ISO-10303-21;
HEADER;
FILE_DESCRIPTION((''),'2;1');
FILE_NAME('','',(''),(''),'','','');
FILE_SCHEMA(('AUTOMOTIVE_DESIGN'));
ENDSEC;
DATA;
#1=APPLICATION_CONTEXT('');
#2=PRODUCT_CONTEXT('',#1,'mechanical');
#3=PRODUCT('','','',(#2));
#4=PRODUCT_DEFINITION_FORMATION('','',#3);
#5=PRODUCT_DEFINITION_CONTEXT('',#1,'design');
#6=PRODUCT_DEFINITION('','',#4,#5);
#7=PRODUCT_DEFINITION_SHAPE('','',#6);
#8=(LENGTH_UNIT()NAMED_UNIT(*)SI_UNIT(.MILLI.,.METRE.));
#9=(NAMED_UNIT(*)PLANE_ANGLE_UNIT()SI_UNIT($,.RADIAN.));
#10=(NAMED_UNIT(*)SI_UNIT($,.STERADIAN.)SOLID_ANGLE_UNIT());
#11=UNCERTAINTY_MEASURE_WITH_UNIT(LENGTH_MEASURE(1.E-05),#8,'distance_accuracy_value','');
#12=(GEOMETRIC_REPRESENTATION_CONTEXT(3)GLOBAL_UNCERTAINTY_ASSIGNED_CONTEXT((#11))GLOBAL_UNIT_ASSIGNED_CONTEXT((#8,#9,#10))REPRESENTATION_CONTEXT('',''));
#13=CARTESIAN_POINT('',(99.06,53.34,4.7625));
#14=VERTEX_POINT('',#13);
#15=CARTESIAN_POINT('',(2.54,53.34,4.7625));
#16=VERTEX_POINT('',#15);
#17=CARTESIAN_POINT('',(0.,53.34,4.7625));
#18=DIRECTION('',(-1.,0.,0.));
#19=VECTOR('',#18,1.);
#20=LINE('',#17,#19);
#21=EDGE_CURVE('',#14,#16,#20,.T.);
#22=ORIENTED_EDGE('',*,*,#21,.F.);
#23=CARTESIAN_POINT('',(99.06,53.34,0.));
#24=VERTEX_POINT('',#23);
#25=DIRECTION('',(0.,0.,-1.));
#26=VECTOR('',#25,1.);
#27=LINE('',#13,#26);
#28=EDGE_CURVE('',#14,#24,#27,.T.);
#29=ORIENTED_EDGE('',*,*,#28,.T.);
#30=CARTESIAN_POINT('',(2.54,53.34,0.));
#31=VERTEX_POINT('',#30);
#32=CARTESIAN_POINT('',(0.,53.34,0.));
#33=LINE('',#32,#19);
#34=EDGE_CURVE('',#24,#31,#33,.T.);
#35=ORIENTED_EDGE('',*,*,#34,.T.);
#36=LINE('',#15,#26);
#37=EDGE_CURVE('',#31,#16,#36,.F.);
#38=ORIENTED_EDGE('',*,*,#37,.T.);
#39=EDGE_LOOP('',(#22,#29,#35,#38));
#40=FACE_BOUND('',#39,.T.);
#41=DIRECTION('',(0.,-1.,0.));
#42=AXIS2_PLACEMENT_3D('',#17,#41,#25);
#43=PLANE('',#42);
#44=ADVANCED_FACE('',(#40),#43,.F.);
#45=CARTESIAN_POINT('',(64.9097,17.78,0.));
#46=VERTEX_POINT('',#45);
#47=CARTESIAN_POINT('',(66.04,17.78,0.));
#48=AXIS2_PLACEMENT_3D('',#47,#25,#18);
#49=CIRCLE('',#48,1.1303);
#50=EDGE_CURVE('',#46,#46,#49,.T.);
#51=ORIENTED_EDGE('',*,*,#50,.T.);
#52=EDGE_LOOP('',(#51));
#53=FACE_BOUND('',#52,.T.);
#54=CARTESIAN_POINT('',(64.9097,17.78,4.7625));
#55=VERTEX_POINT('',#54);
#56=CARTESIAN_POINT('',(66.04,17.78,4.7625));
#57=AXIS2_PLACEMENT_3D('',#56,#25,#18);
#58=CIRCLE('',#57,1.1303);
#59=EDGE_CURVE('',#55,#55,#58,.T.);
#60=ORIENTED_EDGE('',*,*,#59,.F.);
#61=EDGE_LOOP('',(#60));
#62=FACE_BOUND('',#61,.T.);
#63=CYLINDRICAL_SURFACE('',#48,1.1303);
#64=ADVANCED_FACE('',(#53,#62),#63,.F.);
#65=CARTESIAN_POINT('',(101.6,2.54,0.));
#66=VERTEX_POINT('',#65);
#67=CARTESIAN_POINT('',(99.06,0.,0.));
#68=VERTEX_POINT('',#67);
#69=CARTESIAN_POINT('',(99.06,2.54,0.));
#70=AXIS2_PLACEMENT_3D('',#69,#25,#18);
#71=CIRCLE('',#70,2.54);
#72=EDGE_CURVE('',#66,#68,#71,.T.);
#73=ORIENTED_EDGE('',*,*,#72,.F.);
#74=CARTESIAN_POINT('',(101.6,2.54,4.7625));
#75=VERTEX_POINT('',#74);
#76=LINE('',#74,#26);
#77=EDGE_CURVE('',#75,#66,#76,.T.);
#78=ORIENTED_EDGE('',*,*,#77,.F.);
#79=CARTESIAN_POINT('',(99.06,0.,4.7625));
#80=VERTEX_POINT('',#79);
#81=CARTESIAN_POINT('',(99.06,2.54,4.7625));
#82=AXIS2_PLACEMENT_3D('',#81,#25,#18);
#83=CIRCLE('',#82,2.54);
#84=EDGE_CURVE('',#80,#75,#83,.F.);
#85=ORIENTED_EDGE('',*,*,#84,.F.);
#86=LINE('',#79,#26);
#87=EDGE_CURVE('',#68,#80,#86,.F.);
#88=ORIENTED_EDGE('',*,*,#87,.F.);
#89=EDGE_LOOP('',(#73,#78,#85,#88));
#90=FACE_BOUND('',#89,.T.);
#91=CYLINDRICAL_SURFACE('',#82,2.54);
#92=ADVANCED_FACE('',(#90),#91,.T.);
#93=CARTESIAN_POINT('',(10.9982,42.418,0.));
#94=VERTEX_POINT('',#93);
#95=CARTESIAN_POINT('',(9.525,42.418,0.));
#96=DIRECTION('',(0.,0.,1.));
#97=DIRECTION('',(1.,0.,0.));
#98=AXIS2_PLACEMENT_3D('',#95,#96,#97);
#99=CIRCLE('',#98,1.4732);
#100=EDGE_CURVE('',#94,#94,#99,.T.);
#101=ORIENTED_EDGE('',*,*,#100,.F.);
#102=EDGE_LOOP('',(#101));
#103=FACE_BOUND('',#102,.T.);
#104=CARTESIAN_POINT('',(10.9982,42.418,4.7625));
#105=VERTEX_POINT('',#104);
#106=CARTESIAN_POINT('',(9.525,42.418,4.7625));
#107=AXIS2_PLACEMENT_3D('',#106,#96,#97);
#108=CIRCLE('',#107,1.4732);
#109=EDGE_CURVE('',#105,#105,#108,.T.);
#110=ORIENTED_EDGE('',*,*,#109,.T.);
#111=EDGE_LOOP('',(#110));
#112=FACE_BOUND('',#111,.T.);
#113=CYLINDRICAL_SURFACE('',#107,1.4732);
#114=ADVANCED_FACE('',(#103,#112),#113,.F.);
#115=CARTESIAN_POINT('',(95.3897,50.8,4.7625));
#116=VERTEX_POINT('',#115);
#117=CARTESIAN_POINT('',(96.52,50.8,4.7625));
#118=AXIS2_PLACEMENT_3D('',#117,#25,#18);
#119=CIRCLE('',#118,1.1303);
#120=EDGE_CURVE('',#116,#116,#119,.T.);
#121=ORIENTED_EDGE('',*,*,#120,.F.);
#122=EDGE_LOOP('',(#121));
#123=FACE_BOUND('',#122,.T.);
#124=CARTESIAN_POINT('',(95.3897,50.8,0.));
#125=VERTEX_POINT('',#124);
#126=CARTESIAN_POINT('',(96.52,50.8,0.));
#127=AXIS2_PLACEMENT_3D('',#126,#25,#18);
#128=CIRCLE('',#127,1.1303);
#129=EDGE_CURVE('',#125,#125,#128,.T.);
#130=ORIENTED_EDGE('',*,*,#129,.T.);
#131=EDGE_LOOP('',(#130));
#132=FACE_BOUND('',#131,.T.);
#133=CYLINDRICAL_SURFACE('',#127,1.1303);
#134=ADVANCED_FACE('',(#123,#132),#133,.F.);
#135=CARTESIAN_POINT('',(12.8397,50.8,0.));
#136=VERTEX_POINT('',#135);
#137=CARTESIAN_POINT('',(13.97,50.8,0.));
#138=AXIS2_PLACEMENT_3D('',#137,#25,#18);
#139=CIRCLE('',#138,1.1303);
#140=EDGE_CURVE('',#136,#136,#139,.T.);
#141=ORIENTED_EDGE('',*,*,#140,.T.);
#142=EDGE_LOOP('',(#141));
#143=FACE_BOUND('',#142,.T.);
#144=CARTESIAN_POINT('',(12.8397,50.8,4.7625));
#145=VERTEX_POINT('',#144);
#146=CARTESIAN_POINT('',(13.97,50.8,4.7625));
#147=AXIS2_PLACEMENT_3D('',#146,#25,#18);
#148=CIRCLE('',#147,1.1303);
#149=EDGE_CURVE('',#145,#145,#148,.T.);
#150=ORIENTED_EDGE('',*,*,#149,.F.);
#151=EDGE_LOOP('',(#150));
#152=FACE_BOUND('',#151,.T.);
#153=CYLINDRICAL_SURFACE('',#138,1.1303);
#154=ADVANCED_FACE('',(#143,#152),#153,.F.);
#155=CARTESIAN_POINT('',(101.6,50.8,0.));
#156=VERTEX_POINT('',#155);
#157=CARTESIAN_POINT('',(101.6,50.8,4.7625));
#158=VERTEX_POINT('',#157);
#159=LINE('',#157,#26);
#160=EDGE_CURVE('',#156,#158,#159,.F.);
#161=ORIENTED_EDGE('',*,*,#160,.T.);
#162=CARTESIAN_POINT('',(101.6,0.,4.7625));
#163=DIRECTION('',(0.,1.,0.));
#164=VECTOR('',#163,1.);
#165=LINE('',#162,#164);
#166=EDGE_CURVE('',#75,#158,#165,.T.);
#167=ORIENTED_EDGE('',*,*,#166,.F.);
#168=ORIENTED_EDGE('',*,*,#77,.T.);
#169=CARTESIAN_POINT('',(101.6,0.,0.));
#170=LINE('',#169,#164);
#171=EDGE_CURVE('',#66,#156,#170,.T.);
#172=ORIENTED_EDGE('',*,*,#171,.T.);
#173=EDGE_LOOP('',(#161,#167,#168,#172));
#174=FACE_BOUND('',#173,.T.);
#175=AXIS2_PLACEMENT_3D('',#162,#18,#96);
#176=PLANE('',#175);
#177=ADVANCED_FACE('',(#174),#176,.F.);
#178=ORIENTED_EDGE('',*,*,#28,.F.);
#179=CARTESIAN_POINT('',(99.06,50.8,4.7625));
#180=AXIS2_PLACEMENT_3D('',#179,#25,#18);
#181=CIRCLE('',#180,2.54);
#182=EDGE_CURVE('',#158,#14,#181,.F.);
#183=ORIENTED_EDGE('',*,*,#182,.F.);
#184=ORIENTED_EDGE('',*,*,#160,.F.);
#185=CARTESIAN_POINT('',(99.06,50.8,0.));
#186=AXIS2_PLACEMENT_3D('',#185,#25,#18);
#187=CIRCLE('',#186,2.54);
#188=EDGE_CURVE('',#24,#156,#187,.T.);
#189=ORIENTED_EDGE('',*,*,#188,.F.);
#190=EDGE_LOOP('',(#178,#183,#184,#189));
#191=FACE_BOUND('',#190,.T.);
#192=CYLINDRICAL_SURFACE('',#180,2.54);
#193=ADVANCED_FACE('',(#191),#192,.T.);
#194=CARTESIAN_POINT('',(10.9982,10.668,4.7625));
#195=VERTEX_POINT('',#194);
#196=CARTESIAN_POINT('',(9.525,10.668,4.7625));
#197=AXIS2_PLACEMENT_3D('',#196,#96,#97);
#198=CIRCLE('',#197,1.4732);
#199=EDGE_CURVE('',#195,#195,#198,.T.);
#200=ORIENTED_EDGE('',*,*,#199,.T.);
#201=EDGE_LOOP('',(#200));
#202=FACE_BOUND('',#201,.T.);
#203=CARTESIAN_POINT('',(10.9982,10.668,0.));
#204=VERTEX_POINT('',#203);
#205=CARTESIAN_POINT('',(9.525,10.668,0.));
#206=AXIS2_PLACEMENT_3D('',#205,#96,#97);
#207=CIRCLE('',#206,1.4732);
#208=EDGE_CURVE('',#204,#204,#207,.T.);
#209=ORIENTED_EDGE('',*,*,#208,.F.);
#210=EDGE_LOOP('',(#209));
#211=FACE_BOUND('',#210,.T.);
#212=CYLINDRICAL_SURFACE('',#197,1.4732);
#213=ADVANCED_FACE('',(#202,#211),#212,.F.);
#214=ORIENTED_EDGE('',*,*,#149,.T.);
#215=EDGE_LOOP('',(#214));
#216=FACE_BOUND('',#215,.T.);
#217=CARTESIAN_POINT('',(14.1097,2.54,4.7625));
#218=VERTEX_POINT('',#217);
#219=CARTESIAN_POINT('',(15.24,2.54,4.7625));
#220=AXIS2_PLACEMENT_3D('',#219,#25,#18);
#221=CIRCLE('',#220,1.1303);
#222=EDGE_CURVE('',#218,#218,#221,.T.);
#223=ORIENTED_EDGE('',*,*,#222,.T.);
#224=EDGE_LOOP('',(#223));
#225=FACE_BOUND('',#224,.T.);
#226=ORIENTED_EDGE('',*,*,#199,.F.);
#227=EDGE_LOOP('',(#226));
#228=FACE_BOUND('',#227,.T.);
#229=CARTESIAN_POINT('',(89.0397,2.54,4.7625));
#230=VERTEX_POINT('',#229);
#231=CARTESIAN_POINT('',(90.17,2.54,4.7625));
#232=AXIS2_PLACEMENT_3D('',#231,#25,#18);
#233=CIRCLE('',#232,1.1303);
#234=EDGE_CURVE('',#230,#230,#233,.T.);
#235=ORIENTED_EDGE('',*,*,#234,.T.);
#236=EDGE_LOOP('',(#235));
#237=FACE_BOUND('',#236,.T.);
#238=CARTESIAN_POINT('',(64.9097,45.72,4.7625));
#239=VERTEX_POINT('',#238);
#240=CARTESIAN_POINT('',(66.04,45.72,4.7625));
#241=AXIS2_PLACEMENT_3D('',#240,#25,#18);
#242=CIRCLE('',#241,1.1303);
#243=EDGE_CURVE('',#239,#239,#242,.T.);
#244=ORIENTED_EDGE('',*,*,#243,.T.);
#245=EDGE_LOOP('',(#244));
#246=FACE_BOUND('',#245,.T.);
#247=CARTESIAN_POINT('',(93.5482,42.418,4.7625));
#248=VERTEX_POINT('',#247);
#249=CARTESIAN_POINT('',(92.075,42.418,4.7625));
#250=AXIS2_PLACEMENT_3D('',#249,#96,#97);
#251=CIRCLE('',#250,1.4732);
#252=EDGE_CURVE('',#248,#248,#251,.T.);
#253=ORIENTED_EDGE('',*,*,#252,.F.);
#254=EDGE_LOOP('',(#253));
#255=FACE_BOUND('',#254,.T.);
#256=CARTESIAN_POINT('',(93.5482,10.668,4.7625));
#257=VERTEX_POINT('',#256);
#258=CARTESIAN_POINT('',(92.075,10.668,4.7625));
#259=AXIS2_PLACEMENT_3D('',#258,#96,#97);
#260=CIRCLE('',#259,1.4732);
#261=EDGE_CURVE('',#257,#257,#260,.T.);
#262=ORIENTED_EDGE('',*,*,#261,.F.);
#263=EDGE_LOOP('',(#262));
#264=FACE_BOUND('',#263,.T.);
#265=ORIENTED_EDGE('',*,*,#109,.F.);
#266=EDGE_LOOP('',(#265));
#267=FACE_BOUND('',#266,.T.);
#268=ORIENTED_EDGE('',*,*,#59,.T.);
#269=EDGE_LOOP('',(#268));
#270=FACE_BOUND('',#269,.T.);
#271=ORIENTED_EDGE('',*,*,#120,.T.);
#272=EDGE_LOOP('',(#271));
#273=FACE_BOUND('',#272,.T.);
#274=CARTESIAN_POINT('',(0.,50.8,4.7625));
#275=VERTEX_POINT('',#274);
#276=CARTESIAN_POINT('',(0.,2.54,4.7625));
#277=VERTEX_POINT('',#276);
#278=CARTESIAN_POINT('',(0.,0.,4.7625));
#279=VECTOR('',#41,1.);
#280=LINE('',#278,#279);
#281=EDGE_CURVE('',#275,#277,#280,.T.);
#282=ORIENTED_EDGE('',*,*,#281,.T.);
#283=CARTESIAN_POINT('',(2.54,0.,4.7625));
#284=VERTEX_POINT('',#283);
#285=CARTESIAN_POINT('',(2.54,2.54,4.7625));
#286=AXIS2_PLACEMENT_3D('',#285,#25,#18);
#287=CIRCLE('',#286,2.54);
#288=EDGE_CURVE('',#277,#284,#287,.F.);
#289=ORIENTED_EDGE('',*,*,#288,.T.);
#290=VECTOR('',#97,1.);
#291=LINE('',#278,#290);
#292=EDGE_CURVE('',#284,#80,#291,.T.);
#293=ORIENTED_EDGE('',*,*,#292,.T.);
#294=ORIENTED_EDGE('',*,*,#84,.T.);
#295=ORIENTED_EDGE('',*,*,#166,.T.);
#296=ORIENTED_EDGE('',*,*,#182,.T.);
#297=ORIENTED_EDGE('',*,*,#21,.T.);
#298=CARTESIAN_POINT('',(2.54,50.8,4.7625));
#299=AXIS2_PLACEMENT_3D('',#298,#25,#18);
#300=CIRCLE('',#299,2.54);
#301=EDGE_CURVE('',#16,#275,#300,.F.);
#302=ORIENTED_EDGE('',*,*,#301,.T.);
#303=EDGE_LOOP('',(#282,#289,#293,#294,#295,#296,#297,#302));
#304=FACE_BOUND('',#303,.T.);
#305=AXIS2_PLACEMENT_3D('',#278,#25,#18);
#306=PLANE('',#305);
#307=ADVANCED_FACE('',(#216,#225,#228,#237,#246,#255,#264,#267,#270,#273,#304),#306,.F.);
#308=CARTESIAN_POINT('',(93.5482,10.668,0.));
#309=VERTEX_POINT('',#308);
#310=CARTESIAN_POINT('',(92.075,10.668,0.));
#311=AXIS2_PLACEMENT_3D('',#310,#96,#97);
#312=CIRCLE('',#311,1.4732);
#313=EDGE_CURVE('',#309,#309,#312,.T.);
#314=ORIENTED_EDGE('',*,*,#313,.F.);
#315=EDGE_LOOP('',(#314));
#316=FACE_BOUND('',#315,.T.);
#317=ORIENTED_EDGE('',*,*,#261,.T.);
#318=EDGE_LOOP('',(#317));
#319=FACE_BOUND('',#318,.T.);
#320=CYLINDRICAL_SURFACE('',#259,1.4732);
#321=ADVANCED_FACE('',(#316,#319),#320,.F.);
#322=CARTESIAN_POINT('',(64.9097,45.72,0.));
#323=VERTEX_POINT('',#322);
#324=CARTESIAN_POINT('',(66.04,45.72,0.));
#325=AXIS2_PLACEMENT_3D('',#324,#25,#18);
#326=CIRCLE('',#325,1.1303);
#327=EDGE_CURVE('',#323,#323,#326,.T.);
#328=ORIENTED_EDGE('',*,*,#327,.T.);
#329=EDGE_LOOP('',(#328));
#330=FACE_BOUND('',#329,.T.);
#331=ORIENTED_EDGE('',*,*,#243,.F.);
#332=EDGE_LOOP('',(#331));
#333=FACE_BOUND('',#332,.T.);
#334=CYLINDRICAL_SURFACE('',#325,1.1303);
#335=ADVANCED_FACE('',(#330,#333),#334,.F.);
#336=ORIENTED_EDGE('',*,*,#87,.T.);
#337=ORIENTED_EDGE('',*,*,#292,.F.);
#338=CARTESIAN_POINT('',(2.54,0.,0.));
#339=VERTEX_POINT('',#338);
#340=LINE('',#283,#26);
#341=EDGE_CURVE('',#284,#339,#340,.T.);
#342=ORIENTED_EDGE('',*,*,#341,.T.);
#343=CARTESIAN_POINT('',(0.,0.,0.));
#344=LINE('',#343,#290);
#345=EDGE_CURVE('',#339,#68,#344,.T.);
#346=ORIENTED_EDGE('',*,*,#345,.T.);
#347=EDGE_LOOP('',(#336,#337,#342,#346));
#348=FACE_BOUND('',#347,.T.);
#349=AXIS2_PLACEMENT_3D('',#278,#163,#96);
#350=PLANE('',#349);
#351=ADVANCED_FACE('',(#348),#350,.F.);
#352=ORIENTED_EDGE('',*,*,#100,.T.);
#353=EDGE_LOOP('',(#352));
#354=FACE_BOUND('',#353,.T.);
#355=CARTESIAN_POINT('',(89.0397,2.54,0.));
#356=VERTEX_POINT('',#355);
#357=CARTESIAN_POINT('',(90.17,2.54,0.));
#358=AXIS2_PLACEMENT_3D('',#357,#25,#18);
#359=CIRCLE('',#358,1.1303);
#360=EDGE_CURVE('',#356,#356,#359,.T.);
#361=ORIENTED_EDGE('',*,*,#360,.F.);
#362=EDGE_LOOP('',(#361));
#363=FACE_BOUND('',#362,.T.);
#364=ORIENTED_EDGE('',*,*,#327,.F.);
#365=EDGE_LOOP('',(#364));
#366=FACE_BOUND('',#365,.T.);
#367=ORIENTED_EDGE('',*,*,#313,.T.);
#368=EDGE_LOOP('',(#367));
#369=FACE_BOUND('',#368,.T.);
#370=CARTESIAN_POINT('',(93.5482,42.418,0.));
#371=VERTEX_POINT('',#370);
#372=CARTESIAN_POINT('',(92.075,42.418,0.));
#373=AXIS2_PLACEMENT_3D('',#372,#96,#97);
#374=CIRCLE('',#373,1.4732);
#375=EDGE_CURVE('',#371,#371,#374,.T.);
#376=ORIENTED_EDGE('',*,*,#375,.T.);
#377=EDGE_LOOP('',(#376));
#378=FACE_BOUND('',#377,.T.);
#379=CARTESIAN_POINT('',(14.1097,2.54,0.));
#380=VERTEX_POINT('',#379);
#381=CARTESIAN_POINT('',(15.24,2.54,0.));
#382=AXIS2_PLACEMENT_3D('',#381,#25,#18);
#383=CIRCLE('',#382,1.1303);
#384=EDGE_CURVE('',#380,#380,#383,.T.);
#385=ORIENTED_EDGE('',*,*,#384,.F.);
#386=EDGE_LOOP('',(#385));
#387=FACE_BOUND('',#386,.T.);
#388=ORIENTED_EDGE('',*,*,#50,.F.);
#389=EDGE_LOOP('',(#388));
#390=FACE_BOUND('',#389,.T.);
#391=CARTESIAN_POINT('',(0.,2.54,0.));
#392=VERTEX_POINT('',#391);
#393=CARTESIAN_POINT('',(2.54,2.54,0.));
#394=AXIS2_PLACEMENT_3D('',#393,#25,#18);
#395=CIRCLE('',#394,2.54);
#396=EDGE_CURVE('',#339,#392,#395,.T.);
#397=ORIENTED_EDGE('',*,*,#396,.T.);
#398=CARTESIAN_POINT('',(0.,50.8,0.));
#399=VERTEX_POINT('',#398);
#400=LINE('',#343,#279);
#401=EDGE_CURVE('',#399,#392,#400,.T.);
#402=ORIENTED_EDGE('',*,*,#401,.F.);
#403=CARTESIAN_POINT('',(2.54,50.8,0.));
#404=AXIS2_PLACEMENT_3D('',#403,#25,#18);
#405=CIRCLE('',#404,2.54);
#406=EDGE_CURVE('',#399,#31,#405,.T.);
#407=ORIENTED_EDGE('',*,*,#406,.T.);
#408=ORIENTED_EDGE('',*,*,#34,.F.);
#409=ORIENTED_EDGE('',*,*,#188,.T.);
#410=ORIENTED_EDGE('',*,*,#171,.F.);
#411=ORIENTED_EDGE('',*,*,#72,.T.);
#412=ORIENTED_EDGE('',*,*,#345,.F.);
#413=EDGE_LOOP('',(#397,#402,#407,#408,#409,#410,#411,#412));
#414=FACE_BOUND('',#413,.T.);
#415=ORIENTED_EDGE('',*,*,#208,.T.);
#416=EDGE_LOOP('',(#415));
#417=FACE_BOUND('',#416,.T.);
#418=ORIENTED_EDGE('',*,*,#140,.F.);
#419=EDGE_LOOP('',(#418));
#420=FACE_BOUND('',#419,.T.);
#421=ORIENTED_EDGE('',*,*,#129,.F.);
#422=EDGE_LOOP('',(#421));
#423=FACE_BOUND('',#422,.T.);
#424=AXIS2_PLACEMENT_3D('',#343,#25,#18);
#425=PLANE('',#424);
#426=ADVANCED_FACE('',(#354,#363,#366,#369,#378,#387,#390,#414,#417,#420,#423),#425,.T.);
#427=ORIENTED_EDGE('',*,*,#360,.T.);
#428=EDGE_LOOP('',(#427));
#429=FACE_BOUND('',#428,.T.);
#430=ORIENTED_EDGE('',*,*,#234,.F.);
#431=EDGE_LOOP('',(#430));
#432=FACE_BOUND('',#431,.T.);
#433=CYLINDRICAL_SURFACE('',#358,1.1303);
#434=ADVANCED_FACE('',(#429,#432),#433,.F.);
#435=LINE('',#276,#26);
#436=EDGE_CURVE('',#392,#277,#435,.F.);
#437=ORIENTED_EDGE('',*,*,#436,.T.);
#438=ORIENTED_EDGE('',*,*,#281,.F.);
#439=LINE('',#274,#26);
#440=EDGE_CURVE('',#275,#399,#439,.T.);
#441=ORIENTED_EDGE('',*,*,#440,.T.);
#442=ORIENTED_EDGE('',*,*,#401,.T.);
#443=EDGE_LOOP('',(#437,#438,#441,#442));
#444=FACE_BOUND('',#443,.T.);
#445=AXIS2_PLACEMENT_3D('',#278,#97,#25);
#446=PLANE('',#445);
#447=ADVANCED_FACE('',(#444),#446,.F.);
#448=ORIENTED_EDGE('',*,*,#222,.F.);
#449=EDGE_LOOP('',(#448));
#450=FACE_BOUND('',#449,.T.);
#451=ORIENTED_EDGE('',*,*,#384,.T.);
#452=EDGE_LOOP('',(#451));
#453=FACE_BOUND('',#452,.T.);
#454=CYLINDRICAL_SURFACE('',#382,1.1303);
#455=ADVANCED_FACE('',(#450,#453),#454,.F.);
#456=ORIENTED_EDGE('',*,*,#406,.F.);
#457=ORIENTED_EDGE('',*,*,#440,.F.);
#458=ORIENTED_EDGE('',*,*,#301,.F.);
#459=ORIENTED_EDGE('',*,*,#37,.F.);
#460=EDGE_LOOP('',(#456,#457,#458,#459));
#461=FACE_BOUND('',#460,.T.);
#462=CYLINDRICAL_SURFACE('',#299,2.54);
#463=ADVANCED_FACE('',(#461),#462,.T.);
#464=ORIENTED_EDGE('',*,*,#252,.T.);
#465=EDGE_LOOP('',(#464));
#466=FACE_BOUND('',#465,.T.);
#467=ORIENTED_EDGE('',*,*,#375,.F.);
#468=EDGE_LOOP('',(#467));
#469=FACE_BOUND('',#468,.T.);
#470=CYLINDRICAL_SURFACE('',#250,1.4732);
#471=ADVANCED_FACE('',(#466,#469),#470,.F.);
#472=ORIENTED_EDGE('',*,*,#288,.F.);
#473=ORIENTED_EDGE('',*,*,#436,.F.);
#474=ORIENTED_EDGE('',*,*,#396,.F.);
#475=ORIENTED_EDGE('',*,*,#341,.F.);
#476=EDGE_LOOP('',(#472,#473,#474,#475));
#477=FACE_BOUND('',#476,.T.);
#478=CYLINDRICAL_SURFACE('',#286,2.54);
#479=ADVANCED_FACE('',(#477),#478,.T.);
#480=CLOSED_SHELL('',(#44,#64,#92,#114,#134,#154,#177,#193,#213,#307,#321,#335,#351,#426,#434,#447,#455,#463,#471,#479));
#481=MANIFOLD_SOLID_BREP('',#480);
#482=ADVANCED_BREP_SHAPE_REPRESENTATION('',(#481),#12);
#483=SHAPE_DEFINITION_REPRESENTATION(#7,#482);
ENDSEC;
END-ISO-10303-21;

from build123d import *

# Parameters (mm, degrees)
SKETCH1_W                 = 101.6
SKETCH1_H                 = 53.34
BOSS_EXTRUDE1_DEPTH       = 4.7625
FILLET1_R                 = 2.54
TAP_DRILL_FOR_4_40_TAP1_D = 2.2606
F_4_CLEARANCE_HOLE2_D     = 2.9464


with BuildPart() as part:
    # Sketch1 → Boss-Extrude1 (new body)
    with BuildSketch(Plane.XY):
        with Locations((50.8, 26.67)):
            Rectangle(SKETCH1_W, SKETCH1_H)
    extrude(amount=BOSS_EXTRUDE1_DEPTH)

    # Fillet1
    fillet1_edges = [part.edges().sort_by_distance(p)[0] for p in [
        (0, 53.34, 2.38125),
        (101.6, 53.34, 2.38125),
        (101.6, 0, 2.38125),
        (0, 0, 2.38125),
    ]]
    fillet(fillet1_edges, radius=FILLET1_R)

    # Tap Drill for #4-40 Tap1 (through all)
    with Locations(Plane(origin=(0, 0, 0), x_dir=(-1, 0, 0), z_dir=(0, 0, -1))):
        with Locations((-15.24, 2.54), (-90.17, 2.54), (-96.52, 50.8), (-66.04, 17.78), (-66.04, 45.72), (-13.97, 50.8)):
            Hole(TAP_DRILL_FOR_4_40_TAP1_D / 2)

    # #4 Clearance Hole2 (through all)
    with Locations(Plane.XY.offset(4.7625)):
        with Locations((9.525, 42.418), (9.525, 10.668), (92.075, 42.418), (92.075, 10.668)):
            Hole(F_4_CLEARANCE_HOLE2_D / 2)


solid = part.part
